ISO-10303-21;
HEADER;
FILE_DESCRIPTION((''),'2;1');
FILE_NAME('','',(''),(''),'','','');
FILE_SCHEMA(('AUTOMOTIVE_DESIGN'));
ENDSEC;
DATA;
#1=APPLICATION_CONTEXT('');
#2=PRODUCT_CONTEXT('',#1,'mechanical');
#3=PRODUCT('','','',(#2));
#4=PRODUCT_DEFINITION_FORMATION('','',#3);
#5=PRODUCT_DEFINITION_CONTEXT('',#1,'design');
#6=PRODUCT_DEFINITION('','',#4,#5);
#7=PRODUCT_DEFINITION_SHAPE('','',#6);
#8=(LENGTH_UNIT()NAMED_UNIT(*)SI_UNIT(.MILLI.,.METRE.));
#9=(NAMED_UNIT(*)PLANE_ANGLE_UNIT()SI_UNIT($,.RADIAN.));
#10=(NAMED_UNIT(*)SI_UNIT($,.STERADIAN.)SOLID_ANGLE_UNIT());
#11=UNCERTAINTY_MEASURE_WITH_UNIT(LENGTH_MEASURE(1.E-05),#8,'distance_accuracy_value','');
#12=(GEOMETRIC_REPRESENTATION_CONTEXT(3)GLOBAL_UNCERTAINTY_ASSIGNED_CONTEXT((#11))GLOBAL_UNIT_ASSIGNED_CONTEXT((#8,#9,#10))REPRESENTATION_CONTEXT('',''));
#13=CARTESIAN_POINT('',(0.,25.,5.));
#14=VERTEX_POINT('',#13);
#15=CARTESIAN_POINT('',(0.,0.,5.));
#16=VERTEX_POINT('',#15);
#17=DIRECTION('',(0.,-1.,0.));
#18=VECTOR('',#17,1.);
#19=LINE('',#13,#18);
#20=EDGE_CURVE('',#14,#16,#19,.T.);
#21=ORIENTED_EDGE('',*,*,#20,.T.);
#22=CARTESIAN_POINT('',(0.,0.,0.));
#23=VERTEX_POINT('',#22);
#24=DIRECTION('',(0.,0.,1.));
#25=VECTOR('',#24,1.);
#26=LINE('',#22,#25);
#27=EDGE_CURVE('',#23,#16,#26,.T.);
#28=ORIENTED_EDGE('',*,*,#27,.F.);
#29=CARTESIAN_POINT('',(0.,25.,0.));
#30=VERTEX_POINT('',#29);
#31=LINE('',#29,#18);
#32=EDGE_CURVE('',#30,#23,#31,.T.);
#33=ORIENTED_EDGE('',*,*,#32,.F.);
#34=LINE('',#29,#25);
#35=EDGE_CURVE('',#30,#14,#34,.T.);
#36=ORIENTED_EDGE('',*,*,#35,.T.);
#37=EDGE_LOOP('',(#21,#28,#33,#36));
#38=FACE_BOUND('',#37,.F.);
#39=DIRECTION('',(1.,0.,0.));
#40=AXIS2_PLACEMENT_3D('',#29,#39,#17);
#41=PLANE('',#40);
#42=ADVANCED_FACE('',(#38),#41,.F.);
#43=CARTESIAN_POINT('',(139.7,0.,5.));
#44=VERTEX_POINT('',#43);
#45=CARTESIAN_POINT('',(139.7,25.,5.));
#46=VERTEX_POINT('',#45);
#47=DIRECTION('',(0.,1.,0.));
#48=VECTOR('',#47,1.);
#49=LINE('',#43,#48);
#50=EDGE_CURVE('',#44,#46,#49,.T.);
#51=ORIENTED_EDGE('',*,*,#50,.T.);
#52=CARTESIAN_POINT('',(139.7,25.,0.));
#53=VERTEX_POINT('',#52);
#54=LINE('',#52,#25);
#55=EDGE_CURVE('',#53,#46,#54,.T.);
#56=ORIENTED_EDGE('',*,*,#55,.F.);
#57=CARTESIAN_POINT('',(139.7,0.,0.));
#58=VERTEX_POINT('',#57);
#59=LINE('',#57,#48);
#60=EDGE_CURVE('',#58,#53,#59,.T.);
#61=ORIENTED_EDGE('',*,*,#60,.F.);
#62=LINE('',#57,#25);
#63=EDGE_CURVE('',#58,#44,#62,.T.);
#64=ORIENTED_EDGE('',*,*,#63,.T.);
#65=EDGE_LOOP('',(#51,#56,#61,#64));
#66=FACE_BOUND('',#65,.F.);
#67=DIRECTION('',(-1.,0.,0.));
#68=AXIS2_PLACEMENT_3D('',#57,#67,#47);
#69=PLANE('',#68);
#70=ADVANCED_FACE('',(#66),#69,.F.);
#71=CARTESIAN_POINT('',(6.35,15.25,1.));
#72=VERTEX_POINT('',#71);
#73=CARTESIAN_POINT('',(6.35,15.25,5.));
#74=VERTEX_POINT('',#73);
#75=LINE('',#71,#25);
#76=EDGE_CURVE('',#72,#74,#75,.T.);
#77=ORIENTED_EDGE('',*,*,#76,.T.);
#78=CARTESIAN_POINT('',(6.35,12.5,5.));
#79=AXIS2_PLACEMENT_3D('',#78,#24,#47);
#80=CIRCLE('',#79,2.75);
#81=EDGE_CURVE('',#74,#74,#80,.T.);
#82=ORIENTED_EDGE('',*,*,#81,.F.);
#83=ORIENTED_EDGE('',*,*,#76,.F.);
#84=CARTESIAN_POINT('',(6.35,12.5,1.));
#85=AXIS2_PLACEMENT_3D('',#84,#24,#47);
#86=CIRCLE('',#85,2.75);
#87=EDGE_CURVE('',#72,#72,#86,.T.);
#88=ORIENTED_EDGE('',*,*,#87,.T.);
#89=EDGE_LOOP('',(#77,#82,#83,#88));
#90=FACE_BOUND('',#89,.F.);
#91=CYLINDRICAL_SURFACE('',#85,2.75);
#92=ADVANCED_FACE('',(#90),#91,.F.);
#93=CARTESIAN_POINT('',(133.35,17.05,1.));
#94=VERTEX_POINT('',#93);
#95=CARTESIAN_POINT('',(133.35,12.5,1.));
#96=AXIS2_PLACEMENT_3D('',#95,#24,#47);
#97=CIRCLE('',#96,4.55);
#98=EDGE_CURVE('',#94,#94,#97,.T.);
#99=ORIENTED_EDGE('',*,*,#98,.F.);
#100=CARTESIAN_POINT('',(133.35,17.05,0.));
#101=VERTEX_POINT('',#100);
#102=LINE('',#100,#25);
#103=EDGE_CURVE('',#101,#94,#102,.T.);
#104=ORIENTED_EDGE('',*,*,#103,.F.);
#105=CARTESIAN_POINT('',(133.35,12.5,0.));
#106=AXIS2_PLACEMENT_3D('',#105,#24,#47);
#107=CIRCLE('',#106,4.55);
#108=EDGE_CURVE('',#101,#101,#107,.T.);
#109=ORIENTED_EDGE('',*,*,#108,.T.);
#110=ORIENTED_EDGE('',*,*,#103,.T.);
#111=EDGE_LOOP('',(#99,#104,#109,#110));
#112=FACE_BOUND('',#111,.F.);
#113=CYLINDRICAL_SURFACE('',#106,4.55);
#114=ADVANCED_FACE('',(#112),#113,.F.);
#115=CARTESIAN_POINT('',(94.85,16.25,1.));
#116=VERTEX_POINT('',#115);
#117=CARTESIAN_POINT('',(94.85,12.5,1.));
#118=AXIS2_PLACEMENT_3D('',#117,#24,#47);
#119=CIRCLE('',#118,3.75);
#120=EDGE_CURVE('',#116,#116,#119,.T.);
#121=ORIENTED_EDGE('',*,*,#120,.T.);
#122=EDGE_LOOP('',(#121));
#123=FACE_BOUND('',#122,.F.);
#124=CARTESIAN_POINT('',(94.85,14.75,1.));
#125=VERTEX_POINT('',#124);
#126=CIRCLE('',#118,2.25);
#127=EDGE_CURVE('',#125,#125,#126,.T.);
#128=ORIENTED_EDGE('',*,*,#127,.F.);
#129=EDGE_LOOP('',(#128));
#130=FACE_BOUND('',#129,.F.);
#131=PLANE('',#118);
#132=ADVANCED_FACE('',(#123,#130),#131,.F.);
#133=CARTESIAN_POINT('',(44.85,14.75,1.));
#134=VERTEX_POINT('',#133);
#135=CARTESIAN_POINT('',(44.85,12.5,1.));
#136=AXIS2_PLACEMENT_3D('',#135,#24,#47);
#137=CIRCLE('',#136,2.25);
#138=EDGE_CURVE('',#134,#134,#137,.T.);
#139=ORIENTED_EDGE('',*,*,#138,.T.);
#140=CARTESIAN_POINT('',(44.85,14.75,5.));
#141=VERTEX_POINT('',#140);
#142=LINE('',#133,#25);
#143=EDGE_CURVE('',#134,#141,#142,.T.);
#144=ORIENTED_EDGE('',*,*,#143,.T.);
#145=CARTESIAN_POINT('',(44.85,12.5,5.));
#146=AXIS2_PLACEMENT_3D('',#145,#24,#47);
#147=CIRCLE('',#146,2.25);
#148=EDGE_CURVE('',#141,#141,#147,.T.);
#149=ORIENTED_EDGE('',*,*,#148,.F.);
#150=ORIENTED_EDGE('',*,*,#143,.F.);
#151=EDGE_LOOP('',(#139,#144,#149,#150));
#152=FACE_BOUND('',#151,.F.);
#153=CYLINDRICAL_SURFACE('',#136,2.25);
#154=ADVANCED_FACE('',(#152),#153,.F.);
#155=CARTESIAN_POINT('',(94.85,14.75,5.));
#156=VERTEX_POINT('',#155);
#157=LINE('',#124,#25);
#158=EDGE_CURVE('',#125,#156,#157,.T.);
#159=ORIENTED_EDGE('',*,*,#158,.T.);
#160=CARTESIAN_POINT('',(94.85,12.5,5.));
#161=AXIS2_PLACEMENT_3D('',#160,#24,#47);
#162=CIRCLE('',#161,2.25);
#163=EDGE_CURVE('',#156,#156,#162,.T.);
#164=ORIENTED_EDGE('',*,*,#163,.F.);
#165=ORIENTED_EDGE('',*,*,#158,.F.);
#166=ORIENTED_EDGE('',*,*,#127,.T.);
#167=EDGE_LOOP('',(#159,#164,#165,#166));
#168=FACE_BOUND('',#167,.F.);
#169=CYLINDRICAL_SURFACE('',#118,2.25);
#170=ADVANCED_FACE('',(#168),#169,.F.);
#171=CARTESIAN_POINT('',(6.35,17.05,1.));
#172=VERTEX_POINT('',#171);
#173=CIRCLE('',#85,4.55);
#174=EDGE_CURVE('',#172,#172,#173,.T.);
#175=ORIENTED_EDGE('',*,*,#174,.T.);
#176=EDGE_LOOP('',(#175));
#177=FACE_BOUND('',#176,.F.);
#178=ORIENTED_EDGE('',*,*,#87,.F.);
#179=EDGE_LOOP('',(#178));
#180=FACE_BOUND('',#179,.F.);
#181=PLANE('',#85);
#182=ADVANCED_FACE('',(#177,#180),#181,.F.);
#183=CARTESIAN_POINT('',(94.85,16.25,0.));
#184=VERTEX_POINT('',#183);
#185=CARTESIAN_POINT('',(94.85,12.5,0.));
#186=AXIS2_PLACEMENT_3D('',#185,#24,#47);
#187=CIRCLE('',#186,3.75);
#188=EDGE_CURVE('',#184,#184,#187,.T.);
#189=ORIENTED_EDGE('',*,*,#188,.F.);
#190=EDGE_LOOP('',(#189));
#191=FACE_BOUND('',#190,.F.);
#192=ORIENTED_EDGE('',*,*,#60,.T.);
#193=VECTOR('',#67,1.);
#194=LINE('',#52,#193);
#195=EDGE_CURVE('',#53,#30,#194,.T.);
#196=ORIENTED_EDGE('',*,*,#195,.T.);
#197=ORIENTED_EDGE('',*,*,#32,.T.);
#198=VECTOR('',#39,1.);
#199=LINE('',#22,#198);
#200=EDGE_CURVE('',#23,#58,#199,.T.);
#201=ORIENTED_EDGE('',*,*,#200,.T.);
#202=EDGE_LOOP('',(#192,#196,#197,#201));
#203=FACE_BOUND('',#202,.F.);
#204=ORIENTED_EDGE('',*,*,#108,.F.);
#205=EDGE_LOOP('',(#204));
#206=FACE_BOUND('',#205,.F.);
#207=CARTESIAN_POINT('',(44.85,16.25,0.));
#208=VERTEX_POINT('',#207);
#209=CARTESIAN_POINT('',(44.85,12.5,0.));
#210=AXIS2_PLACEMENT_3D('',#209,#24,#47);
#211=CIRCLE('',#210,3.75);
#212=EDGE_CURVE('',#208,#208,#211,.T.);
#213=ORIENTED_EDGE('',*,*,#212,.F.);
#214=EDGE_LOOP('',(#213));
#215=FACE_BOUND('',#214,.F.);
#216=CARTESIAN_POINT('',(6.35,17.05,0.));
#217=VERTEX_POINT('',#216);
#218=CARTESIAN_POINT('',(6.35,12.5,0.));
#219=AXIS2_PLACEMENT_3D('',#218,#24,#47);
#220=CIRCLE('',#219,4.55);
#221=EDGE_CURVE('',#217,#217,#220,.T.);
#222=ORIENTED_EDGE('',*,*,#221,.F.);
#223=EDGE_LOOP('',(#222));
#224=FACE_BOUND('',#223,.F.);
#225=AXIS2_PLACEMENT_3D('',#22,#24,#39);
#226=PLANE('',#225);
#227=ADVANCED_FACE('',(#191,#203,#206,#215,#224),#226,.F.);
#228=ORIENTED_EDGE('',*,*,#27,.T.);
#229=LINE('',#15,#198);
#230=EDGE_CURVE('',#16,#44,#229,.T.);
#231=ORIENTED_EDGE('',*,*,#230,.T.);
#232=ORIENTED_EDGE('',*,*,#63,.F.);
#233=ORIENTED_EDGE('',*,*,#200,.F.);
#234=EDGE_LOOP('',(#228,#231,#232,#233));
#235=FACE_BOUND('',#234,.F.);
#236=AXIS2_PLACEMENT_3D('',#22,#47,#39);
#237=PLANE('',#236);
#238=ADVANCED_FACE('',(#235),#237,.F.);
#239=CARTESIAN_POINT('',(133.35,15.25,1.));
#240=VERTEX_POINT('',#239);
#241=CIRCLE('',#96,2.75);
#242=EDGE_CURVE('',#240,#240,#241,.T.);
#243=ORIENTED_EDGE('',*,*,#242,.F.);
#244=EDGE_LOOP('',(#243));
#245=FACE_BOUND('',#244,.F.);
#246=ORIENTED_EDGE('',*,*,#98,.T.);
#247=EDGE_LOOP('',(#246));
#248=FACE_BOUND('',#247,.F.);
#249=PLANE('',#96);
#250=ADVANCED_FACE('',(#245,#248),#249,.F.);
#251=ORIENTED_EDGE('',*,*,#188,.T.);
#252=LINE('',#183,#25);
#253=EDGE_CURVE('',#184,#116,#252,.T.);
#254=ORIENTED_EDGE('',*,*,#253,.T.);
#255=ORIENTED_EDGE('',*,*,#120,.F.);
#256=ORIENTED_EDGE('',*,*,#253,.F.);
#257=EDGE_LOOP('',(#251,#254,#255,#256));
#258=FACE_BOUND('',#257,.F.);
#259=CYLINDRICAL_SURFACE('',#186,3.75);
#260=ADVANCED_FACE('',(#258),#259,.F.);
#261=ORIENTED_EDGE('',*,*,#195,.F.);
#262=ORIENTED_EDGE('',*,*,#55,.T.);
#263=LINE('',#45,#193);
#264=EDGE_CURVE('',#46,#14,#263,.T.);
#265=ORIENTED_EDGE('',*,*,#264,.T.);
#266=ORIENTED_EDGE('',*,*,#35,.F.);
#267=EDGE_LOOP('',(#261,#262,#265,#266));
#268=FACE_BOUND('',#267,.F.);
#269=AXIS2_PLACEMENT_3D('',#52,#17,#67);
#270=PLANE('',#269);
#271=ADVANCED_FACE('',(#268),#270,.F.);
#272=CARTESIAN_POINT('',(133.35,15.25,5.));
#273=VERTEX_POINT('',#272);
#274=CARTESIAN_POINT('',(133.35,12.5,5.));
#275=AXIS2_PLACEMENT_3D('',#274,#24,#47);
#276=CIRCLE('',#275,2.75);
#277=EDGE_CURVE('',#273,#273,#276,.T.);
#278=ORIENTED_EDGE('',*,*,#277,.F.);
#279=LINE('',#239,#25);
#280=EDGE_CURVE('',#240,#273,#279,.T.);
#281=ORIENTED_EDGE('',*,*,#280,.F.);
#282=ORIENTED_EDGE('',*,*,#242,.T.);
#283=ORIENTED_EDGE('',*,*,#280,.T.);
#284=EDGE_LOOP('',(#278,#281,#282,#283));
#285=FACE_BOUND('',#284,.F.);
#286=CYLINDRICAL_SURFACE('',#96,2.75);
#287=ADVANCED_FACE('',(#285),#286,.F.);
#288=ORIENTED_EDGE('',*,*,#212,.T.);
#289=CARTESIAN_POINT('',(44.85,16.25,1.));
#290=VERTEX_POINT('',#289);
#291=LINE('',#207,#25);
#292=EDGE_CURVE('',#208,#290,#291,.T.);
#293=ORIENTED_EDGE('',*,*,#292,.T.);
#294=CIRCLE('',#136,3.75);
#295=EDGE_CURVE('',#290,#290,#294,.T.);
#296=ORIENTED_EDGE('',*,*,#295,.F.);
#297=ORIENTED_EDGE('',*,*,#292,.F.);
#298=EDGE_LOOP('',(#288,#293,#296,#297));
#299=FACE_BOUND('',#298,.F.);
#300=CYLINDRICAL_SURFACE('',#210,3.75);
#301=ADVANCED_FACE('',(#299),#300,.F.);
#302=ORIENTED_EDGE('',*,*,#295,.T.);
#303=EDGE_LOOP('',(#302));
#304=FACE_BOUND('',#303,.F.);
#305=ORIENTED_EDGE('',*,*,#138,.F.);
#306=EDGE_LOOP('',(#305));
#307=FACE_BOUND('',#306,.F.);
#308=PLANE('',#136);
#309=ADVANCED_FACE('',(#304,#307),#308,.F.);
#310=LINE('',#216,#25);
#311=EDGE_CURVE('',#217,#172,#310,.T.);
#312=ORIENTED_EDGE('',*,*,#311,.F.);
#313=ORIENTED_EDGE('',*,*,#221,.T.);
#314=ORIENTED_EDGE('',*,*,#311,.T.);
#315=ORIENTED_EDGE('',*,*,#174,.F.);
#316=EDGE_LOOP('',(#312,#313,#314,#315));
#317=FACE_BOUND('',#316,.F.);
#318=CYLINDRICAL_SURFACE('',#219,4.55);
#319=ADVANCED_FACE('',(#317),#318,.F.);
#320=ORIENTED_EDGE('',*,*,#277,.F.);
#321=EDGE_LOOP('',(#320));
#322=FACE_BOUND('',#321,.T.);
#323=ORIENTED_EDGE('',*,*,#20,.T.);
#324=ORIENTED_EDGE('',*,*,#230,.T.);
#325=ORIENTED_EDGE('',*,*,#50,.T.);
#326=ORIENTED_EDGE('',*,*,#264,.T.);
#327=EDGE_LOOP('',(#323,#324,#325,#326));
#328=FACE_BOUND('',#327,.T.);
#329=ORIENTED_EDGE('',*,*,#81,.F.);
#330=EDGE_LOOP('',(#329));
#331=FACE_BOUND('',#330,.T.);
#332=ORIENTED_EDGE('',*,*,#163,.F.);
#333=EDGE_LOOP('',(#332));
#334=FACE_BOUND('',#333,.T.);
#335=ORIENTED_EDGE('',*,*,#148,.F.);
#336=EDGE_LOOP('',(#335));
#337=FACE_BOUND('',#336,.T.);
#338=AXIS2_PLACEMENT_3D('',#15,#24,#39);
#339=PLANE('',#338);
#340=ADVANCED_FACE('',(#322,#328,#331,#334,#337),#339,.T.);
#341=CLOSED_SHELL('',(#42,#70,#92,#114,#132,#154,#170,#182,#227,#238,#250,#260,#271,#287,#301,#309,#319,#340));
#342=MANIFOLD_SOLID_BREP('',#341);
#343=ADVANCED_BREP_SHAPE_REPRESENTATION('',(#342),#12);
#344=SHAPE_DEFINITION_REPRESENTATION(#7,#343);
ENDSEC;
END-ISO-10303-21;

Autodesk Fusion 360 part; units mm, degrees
sketch "Sketch1" plane through (0, 0, 0) normal (0, 0, 1) x (1, 0, 0)
  line L0 (0, 0) -> (139.7, 0)
  line L1 (139.7, 0) -> (139.7, 25)
  line L2 (139.7, 25) -> (0, 25)
  line L3 (0, 25) -> (0, 0)
  dimension "d1" = 139.7
  dimension "d2" = 25
extrude "Extrude1" add sketch "Sketch1" along normal blind 5
sketch "Sketch2" plane through (0, 0, 0) normal (0, 0, 1) x (1, 0, 0)
  point P0 (6.35, 12.5)
  point P1 (133.35, 12.5)
hole "Hole1" at (6.35, 12.5, 0) at (133.35, 12.5, 0) direction (0, 0, 1) diameter 5.5 depth 13 tip angle 118 counterbore diameter 9.1 counterbore depth 1
sketch "Sketch3" plane through (0, 0, 0) normal (0, 0, -1) x (1, 0, 0)
  circle A0 centre (6.35, -12.5) radius 4.55
  circle A1 centre (133.35, -12.5) radius 4.55
  line L0 (0, 0) -> (0, -25)
  line L1 (0, -25) -> (139.7, -25)
  line L2 (139.7, -25) -> (139.7, 0)
  line L3 (139.7, 0) -> (0, 0)
  point P0 (94.85, -12.5)
  point P1 (44.85, -12.5)
hole "Hole2" at (94.85, 12.5, 0) at (44.85, 12.5, 0) direction (0, 0, 1) diameter 4.5 end through all counterbore diameter 7.5 counterbore depth 1
